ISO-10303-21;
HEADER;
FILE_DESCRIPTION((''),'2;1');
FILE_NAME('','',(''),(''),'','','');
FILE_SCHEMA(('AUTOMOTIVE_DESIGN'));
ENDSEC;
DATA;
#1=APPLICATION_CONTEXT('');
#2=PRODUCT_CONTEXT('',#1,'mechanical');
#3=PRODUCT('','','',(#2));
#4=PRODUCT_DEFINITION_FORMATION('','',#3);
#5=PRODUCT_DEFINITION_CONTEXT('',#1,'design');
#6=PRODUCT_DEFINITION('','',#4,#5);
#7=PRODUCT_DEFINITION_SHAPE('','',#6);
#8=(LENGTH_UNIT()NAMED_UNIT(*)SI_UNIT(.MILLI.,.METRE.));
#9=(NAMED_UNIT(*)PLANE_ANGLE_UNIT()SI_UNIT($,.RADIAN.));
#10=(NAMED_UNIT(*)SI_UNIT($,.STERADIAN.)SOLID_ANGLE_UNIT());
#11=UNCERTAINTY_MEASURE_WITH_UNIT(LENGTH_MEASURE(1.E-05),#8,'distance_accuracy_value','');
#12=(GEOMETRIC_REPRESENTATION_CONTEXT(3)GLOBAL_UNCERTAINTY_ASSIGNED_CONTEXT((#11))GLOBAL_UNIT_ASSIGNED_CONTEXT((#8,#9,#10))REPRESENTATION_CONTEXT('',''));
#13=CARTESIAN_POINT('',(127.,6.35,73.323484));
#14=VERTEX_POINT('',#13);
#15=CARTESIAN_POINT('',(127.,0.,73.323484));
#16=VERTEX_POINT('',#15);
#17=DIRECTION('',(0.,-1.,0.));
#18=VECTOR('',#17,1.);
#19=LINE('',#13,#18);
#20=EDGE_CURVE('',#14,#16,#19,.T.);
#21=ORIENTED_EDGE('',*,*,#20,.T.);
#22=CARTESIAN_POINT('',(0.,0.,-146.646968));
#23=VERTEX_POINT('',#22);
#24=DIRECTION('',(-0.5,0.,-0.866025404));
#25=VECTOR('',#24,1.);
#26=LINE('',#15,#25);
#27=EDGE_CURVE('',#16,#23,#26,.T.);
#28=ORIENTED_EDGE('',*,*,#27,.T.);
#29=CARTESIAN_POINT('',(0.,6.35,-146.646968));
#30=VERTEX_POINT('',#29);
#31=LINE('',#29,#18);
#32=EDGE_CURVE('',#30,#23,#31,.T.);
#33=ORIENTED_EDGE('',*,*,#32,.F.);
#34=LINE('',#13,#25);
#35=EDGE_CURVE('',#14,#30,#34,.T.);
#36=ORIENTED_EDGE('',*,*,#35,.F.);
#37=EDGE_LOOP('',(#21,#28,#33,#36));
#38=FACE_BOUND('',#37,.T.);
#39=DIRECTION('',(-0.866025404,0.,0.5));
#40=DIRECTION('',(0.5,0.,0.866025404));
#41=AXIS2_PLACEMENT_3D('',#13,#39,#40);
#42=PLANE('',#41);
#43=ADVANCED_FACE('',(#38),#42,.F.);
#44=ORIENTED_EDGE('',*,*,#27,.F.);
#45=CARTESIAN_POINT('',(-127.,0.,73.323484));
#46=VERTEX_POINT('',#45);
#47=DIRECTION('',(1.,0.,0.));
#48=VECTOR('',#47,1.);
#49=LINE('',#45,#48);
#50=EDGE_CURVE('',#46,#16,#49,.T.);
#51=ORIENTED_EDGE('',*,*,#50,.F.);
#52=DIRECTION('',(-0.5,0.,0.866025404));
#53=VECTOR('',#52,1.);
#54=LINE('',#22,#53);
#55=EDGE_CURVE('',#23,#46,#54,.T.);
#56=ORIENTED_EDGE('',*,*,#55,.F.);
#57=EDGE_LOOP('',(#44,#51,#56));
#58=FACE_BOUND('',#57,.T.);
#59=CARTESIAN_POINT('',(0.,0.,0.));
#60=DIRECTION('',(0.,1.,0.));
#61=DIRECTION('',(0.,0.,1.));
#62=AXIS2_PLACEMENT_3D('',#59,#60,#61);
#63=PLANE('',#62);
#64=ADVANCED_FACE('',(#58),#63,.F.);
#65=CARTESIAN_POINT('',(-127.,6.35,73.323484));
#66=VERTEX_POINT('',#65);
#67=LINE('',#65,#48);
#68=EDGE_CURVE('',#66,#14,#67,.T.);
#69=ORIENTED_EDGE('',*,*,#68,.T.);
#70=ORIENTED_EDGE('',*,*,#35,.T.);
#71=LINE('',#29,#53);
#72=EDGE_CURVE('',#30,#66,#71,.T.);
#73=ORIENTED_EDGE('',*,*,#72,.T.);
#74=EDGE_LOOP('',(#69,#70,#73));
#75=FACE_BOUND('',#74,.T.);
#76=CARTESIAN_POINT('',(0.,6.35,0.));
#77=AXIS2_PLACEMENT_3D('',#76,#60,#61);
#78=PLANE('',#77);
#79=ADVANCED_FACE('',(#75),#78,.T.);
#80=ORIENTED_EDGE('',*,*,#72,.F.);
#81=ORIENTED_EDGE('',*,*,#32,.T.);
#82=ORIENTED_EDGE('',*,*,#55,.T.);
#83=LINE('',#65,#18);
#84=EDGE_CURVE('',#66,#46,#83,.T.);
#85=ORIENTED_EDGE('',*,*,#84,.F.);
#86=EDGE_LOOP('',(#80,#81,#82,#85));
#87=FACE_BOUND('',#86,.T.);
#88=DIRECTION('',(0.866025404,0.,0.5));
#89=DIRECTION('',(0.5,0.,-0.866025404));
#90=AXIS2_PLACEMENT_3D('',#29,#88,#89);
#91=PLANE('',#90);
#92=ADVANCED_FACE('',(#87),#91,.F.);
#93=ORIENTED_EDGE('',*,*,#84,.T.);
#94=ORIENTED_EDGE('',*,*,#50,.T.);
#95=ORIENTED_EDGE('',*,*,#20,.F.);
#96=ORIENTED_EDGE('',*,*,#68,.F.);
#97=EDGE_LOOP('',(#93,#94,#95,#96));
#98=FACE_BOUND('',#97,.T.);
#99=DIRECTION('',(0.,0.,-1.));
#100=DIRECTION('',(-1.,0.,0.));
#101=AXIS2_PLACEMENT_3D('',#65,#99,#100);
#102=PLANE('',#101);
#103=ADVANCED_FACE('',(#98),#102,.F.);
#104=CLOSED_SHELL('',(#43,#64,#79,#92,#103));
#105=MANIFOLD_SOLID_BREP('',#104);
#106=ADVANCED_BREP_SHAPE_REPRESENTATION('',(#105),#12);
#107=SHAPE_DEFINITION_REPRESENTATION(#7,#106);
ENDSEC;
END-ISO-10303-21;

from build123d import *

# Parameters (mm, degrees)
BOSS_EXTRUDE1_DEPTH = 6.35


with BuildPart() as part:
    # Sketch1 → Boss-Extrude1 (new body)
    with BuildSketch(Plane(origin=(0, 0, 0), x_dir=(1, 0, 0), z_dir=(0, 1, 0))):
        Polygon((0, 146.646968374), (-127, -73.323484187), (127, -73.323484187), align=None)
    extrude(amount=BOSS_EXTRUDE1_DEPTH)


solid = part.part
